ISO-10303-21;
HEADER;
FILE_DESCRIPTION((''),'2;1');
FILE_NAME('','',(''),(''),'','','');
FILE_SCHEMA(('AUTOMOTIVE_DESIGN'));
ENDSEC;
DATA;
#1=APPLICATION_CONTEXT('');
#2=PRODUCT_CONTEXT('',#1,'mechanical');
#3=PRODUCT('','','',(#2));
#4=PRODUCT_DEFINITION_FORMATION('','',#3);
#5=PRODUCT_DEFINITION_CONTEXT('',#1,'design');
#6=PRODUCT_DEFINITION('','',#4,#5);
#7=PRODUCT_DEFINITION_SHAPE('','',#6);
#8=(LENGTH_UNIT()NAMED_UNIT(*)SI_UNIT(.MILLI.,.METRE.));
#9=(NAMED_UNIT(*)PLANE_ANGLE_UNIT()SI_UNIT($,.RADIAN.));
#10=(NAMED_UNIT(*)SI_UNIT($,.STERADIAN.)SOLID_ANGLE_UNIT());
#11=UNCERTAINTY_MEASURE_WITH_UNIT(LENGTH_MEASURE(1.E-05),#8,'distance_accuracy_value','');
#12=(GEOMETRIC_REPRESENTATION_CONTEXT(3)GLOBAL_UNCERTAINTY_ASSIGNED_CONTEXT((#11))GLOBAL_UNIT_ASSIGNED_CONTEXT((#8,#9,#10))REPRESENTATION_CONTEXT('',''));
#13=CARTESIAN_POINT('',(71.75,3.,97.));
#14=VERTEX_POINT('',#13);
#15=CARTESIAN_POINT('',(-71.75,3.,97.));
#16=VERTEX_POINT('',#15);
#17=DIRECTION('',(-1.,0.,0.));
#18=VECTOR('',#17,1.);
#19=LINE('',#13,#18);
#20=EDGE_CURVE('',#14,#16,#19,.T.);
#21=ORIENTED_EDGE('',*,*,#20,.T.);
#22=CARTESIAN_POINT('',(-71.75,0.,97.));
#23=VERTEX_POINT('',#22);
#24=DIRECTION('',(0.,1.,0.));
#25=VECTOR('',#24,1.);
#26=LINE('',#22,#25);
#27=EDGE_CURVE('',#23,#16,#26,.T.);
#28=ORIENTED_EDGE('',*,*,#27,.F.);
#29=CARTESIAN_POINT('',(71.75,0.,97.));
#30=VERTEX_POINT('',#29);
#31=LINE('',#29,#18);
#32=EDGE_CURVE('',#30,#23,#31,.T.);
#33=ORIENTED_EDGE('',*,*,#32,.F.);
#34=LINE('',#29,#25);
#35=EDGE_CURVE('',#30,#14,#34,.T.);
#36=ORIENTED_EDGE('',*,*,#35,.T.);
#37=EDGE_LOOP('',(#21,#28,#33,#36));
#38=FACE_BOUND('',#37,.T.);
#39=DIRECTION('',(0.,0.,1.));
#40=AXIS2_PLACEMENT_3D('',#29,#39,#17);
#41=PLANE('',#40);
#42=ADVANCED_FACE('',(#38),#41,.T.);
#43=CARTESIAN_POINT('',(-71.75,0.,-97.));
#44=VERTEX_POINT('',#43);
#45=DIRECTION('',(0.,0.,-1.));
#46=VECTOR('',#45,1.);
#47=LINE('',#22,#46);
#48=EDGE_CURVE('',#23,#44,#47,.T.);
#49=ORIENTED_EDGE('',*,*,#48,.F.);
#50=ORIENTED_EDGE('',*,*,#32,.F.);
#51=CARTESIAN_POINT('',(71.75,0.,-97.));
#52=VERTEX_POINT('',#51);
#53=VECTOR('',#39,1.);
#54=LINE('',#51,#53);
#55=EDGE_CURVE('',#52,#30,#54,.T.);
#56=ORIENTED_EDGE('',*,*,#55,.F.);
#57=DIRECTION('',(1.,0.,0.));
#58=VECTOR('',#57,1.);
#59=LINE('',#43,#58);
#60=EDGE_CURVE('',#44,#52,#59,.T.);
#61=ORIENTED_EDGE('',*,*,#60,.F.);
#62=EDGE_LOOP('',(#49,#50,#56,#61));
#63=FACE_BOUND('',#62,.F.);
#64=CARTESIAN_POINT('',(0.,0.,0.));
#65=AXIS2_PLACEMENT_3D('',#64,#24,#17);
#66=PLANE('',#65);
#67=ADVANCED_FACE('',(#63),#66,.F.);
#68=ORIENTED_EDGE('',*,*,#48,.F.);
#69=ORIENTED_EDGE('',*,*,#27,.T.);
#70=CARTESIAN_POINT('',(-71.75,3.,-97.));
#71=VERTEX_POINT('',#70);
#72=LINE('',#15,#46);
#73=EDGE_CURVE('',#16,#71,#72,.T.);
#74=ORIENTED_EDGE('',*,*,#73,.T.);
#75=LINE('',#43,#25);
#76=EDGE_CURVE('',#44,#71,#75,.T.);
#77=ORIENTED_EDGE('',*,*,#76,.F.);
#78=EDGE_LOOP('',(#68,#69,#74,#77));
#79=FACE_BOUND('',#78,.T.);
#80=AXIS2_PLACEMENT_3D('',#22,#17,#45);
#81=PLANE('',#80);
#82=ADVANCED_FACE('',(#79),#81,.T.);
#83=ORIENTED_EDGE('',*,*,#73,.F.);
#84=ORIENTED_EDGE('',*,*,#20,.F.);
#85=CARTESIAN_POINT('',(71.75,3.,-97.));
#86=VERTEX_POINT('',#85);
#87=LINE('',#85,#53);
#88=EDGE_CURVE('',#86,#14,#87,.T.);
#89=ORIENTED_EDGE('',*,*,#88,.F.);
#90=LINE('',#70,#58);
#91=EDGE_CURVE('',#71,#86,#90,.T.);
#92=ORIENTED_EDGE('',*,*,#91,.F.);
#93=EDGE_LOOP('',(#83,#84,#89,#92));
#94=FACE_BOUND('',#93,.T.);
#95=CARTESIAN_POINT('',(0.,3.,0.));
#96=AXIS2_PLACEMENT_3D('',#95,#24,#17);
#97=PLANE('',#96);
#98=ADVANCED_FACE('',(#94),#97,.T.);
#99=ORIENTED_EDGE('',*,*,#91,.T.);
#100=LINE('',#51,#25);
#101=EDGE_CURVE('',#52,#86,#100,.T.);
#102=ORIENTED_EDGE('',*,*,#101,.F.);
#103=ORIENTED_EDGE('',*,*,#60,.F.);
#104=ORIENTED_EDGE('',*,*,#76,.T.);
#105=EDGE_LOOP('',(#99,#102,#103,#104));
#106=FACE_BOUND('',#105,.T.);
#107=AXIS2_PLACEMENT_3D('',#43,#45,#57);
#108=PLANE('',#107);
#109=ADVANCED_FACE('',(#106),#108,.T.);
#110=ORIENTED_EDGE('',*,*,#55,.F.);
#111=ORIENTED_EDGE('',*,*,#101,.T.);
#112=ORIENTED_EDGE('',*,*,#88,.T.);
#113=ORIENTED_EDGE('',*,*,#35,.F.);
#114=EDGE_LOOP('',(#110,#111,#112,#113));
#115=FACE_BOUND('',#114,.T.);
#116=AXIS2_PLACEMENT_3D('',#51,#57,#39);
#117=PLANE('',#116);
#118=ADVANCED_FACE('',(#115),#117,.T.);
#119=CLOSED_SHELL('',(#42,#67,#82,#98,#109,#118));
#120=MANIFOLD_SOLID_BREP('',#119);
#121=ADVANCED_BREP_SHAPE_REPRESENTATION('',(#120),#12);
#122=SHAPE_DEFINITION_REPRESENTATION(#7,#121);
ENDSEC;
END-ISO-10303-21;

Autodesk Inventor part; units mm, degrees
ref_plane "YZ Plane" through (0, 0, 0) normal (1, 0, 0) x (0, 1, 0)
ref_plane "XZ Plane" through (0, 0, 0) normal (0, 1, 0) x (-1, 0, 0)
ref_plane "XY Plane" through (0, 0, 0) normal (0, 0, 1) x (1, 0, 0)
sketch "Sketch1" plane through (0, 0, 0) normal (0, 1, 0) x (-1, 0, 0)
  line L0 (-71.75, 97) -> (71.75, 97)
  line L1 (71.75, 97) -> (71.75, -97)
  line L2 (71.75, -97) -> (-71.75, -97)
  line L3 (-71.75, -97) -> (-71.75, 97)
  line L4 (-71.75, 97) -> (71.75, -97) construction
  line L5 (71.75, 97) -> (-71.75, -97) construction
  point P0 (0, 0)
  dimension "d0" = 143.5
  dimension "d1" = 194
extrude "Extrusion1" add sketch "Sketch1" along normal blind 3
properties part number "DoosjeBovenkant" material "Wood (Cherry)"
